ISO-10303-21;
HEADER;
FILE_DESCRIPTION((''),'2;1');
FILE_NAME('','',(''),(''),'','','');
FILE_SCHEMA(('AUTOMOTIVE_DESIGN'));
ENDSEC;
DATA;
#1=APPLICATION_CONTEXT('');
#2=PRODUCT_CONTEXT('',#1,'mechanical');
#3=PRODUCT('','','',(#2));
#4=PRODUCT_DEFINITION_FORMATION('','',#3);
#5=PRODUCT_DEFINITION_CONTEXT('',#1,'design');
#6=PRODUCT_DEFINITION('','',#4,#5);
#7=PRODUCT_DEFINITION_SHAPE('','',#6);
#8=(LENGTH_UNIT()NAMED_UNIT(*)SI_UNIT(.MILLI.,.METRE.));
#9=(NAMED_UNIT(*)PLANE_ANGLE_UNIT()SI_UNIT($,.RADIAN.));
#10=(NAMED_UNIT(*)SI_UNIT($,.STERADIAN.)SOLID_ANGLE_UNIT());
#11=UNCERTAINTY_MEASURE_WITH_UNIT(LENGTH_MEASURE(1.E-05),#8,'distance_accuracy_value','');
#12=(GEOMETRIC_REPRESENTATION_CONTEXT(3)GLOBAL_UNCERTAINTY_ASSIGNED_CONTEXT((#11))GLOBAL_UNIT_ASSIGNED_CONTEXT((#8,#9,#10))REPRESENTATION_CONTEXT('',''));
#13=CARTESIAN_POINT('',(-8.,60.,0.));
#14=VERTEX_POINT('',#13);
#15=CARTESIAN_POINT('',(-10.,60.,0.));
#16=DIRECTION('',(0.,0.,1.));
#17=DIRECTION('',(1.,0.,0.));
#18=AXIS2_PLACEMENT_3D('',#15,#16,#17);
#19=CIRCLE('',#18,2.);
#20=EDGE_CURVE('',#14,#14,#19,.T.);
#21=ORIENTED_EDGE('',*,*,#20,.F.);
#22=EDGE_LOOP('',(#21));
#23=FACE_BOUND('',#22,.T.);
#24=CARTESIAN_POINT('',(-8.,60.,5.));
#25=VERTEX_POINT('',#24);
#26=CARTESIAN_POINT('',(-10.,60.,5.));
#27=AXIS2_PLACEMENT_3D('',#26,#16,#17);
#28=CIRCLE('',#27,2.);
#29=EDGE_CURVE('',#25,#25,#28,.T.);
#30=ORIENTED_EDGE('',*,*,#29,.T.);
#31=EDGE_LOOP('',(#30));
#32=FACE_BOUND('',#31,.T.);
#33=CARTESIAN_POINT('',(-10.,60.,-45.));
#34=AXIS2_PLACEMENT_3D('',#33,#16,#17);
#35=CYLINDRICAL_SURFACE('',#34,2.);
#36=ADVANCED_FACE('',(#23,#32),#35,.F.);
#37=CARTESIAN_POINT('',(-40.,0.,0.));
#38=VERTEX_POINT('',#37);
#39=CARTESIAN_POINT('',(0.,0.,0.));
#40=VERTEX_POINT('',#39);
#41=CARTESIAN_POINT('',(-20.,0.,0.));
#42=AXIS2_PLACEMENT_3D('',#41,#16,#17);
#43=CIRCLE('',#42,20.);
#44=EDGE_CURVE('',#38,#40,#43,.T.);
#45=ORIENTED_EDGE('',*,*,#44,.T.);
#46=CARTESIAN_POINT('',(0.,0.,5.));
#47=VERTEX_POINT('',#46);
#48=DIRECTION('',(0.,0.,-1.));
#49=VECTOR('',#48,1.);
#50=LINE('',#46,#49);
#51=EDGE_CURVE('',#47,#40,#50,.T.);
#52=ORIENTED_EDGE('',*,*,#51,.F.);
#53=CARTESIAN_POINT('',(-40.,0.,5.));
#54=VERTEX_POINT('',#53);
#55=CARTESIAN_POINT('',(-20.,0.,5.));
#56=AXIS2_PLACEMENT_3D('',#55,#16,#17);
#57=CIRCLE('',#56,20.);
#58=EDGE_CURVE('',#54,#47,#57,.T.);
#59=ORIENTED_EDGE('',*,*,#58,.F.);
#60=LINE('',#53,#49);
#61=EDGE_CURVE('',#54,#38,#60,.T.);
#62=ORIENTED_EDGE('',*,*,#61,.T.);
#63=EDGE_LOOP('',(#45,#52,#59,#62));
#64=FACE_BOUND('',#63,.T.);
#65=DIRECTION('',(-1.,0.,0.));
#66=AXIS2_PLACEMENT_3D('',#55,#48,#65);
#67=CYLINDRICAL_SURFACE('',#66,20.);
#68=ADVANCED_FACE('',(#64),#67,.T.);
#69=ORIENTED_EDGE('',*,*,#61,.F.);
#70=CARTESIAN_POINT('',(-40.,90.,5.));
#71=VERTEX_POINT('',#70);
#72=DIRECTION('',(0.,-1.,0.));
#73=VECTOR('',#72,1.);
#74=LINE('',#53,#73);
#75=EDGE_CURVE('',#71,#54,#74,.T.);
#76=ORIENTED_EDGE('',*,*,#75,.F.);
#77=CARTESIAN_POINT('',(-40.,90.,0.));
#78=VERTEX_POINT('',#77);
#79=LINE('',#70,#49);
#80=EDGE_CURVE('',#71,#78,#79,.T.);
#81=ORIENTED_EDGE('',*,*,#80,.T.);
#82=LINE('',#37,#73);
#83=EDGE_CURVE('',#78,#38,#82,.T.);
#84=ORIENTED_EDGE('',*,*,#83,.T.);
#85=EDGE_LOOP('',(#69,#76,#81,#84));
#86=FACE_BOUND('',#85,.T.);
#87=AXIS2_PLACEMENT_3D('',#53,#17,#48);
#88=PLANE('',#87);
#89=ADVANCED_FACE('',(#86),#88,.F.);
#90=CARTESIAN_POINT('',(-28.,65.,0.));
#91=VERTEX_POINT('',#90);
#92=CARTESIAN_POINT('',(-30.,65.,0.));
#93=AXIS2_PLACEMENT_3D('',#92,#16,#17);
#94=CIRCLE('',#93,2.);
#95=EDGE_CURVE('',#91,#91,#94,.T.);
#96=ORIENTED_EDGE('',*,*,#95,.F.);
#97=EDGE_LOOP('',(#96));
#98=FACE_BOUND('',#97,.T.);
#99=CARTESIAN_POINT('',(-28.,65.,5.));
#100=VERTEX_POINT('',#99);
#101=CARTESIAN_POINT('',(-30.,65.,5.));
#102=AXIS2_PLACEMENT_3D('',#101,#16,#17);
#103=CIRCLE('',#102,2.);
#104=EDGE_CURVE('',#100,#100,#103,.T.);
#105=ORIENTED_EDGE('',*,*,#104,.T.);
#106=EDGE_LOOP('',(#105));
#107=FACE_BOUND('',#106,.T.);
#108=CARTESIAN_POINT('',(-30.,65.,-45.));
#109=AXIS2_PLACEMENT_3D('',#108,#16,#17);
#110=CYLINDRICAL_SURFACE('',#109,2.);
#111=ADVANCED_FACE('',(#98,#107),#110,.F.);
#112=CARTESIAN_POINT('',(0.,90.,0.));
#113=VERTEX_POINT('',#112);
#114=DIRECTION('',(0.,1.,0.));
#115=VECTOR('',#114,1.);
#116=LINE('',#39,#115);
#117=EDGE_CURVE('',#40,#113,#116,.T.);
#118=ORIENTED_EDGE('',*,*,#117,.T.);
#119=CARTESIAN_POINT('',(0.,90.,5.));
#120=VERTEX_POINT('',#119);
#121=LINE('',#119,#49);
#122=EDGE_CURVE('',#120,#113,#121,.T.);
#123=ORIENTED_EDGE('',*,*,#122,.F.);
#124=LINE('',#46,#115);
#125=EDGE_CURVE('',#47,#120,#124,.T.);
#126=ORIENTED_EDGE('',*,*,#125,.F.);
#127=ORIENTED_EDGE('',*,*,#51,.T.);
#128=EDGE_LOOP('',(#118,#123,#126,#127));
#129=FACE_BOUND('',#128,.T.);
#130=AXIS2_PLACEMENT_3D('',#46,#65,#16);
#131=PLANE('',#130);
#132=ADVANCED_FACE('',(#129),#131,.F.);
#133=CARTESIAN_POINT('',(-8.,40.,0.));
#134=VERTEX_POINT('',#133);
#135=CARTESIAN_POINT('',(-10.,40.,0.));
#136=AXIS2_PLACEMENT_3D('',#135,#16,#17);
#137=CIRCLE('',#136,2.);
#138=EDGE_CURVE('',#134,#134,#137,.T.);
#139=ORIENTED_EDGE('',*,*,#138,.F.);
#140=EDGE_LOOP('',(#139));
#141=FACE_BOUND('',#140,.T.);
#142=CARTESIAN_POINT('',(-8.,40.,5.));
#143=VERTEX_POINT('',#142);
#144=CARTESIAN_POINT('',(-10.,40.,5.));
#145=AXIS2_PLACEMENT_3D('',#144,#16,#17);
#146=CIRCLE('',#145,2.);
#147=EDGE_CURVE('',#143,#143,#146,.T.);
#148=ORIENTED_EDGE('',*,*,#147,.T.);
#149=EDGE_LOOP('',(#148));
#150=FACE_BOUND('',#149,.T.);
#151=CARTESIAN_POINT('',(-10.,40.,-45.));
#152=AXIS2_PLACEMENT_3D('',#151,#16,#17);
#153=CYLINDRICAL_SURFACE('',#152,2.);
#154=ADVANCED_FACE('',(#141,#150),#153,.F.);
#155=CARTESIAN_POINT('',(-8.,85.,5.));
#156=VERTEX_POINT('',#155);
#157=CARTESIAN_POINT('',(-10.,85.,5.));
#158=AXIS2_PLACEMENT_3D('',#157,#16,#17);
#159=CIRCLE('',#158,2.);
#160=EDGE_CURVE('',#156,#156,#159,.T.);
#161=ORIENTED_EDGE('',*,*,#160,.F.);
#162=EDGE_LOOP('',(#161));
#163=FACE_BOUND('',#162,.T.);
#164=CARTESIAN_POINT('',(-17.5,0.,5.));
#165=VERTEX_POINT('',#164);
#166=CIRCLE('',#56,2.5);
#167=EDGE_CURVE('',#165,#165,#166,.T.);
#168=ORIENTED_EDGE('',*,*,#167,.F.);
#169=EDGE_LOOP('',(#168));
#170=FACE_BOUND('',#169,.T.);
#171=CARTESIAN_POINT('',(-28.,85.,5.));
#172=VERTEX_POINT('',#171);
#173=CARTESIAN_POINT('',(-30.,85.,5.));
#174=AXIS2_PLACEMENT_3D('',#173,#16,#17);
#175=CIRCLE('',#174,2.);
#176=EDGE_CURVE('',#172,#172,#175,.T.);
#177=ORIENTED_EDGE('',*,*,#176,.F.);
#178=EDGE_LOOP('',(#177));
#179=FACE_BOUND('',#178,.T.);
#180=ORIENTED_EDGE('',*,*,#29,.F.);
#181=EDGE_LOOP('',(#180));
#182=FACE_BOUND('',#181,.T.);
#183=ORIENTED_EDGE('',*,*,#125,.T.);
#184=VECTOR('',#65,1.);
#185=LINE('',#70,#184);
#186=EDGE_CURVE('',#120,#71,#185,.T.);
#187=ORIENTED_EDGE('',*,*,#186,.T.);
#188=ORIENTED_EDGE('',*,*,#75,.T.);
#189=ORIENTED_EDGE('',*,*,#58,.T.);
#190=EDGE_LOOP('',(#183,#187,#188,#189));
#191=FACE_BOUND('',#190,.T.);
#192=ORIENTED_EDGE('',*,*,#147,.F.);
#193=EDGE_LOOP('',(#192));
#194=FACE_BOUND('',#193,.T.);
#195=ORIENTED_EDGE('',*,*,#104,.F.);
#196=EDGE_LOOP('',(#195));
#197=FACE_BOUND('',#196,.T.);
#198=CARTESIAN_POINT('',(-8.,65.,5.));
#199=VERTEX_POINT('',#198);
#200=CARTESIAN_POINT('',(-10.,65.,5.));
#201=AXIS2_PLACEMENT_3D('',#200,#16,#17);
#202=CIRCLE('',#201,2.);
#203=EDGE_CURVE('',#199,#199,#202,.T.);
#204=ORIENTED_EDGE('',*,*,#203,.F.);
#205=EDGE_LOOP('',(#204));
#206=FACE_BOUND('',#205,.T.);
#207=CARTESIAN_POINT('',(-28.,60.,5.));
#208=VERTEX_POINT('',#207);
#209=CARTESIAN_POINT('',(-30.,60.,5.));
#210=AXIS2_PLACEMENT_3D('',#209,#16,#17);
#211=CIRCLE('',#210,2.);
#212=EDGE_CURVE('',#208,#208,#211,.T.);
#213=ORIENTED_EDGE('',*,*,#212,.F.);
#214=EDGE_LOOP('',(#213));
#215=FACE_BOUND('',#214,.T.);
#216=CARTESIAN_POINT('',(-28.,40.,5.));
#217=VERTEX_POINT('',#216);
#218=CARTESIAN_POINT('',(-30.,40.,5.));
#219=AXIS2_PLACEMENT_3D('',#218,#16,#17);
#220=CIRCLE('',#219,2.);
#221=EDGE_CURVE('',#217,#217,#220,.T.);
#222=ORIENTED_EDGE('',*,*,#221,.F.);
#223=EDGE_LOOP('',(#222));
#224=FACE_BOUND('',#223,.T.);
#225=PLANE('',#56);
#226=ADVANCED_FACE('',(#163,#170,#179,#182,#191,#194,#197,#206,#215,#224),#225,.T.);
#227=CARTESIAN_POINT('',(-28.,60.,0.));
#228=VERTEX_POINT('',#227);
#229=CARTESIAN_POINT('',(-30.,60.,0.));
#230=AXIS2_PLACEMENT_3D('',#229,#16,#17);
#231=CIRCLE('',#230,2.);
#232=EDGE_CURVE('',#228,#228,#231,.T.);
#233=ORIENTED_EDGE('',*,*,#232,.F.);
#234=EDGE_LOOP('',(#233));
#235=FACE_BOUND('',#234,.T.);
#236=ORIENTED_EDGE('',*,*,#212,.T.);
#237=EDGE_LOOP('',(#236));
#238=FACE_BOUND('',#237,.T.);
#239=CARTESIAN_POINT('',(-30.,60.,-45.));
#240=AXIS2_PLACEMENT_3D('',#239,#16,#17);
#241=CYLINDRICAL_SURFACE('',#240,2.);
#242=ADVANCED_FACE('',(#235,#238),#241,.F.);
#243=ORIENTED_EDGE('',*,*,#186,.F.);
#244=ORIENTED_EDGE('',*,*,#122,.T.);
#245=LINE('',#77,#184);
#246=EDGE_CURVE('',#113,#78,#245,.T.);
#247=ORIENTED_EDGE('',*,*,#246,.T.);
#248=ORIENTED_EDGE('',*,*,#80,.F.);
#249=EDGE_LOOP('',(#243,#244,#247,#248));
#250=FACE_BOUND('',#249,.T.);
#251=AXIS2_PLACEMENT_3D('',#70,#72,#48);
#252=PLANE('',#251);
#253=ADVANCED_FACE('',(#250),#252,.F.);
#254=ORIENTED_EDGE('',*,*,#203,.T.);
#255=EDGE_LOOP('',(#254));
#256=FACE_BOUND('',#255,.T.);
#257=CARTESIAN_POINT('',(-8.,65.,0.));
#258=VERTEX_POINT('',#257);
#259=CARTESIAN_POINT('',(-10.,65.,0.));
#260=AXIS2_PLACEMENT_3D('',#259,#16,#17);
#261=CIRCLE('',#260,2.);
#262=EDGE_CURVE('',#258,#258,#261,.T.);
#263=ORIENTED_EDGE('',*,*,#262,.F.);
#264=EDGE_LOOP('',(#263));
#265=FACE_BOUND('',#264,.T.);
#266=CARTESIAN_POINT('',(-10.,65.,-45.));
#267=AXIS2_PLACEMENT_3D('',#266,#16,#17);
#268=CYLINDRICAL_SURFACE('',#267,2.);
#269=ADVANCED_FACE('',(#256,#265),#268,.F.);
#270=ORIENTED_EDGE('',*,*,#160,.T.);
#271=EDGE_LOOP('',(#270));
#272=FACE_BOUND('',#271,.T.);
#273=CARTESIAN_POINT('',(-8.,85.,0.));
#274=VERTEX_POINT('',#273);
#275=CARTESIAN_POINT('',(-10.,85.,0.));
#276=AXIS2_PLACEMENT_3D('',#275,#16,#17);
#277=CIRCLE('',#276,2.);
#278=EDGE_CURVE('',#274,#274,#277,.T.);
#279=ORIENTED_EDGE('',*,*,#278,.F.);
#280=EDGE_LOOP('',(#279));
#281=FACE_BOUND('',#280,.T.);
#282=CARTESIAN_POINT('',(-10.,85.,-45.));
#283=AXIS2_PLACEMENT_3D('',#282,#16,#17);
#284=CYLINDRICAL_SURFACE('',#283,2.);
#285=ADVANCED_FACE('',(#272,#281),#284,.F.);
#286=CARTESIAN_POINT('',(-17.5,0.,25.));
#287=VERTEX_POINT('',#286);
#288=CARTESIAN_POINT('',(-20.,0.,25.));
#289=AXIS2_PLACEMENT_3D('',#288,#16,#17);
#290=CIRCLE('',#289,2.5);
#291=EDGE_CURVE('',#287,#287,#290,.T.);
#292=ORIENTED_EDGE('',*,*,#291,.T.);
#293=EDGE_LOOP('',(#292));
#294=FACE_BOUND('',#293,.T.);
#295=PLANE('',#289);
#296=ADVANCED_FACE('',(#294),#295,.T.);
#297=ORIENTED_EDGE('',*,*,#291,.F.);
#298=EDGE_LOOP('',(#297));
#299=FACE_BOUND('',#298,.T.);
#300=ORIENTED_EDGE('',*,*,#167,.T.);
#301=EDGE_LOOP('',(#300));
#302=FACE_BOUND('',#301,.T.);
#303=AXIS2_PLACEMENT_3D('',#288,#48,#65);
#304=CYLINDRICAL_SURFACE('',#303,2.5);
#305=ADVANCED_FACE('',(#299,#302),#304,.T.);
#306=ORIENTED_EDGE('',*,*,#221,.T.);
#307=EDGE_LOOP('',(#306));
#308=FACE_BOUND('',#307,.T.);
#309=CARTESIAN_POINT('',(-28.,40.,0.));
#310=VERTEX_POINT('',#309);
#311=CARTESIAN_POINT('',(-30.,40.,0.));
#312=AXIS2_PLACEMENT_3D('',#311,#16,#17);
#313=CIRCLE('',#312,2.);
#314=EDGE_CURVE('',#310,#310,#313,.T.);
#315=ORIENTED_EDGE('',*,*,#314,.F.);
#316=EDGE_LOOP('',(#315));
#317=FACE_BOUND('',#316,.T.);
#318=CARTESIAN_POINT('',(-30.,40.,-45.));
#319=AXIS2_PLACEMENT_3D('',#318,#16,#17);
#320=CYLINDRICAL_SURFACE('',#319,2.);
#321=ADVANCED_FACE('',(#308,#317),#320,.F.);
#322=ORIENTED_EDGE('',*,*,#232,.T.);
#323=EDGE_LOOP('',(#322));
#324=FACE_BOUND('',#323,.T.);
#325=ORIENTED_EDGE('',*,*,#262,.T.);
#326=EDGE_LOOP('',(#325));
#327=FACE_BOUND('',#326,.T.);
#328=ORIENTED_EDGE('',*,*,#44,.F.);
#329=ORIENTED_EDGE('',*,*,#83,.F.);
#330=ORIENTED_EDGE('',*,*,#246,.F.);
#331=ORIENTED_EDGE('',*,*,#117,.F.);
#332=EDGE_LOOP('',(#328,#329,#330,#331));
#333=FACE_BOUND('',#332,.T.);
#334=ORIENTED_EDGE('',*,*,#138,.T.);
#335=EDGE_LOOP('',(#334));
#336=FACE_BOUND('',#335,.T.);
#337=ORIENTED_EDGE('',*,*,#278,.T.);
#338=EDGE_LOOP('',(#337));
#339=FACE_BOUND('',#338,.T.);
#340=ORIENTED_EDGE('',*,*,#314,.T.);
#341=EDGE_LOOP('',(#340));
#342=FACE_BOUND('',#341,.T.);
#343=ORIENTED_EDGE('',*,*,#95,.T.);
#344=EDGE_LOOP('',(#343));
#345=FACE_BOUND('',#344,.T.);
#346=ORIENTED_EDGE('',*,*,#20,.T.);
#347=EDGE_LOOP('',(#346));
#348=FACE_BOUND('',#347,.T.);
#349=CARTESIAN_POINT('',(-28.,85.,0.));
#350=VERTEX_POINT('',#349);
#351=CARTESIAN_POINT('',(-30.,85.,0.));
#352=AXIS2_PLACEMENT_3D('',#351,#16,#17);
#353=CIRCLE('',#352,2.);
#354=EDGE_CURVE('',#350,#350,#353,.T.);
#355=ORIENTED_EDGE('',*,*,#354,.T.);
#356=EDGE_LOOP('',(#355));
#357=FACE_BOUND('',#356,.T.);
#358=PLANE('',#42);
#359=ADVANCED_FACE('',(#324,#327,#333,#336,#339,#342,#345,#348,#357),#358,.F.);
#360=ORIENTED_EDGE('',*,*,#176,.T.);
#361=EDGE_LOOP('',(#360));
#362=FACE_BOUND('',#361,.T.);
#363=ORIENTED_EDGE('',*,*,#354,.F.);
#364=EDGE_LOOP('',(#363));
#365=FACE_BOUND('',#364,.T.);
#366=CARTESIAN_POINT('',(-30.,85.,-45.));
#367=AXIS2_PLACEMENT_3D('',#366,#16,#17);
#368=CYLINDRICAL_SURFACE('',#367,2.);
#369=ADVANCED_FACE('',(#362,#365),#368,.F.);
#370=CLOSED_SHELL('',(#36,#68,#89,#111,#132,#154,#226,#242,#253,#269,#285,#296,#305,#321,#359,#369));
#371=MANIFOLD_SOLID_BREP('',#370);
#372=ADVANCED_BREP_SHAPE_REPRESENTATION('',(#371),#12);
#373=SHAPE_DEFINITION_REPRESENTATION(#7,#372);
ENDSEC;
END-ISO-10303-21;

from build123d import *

# Parameters (mm, degrees)
BOSS_EXTRUDE1_DEPTH = 5
SKETCH2_R           = 2.5
BOSS_EXTRUDE2_DEPTH = 20
SKETCH3_R           = 2
CUT_EXTRUDE1_DEPTH  = 50
SKETCH5_R           = 2
CUT_EXTRUDE2_DEPTH  = 50
LPATTERN1_COUNT     = 2
LPATTERN1_PITCH     = 20


with BuildPart() as part:
    # Sketch1 → Boss-Extrude1 (new body)
    with BuildSketch(Plane.XY):
        with BuildLine():
            Line((-40, 90), (0, 90))
            Line((0, 90), (0, 0))
            ThreePointArc((0, 0), (-20, -20), (-40, 0))
            Line((-40, 0), (-40, 90))
        make_face()
    extrude(amount=BOSS_EXTRUDE1_DEPTH)

    # Sketch2 → Boss-Extrude2 (add)
    with BuildSketch(Plane.XY.offset(5)):
        with Locations((-20, 0)):
            Circle(SKETCH2_R)
    extrude(amount=BOSS_EXTRUDE2_DEPTH)

    # Sketch3 → Cut-Extrude1 (cut)
    with BuildSketch(Plane.XY.offset(5)):
        with Locations((-30, 85)):
            Circle(SKETCH3_R)
        with Locations((-10, 85)):
            Circle(SKETCH3_R)
    cut_extrude1 = extrude(amount=-CUT_EXTRUDE1_DEPTH, mode=Mode.SUBTRACT)

    # Sketch5 → Cut-Extrude2 (cut)
    with BuildSketch(Plane.XY.offset(5)):
        with Locations((-30, 60)):
            Circle(SKETCH5_R)
        with Locations((-10, 60)):
            Circle(SKETCH5_R)
    cut_extrude2 = extrude(amount=-CUT_EXTRUDE2_DEPTH, mode=Mode.SUBTRACT)

    # LPattern1: Cut-Extrude1, Cut-Extrude2 ×2
    with Locations(*[(0, -i * LPATTERN1_PITCH, 0) for i in range(1, LPATTERN1_COUNT)]):
        add(cut_extrude1, mode=Mode.SUBTRACT)
        add(cut_extrude2, mode=Mode.SUBTRACT)


solid = part.part
